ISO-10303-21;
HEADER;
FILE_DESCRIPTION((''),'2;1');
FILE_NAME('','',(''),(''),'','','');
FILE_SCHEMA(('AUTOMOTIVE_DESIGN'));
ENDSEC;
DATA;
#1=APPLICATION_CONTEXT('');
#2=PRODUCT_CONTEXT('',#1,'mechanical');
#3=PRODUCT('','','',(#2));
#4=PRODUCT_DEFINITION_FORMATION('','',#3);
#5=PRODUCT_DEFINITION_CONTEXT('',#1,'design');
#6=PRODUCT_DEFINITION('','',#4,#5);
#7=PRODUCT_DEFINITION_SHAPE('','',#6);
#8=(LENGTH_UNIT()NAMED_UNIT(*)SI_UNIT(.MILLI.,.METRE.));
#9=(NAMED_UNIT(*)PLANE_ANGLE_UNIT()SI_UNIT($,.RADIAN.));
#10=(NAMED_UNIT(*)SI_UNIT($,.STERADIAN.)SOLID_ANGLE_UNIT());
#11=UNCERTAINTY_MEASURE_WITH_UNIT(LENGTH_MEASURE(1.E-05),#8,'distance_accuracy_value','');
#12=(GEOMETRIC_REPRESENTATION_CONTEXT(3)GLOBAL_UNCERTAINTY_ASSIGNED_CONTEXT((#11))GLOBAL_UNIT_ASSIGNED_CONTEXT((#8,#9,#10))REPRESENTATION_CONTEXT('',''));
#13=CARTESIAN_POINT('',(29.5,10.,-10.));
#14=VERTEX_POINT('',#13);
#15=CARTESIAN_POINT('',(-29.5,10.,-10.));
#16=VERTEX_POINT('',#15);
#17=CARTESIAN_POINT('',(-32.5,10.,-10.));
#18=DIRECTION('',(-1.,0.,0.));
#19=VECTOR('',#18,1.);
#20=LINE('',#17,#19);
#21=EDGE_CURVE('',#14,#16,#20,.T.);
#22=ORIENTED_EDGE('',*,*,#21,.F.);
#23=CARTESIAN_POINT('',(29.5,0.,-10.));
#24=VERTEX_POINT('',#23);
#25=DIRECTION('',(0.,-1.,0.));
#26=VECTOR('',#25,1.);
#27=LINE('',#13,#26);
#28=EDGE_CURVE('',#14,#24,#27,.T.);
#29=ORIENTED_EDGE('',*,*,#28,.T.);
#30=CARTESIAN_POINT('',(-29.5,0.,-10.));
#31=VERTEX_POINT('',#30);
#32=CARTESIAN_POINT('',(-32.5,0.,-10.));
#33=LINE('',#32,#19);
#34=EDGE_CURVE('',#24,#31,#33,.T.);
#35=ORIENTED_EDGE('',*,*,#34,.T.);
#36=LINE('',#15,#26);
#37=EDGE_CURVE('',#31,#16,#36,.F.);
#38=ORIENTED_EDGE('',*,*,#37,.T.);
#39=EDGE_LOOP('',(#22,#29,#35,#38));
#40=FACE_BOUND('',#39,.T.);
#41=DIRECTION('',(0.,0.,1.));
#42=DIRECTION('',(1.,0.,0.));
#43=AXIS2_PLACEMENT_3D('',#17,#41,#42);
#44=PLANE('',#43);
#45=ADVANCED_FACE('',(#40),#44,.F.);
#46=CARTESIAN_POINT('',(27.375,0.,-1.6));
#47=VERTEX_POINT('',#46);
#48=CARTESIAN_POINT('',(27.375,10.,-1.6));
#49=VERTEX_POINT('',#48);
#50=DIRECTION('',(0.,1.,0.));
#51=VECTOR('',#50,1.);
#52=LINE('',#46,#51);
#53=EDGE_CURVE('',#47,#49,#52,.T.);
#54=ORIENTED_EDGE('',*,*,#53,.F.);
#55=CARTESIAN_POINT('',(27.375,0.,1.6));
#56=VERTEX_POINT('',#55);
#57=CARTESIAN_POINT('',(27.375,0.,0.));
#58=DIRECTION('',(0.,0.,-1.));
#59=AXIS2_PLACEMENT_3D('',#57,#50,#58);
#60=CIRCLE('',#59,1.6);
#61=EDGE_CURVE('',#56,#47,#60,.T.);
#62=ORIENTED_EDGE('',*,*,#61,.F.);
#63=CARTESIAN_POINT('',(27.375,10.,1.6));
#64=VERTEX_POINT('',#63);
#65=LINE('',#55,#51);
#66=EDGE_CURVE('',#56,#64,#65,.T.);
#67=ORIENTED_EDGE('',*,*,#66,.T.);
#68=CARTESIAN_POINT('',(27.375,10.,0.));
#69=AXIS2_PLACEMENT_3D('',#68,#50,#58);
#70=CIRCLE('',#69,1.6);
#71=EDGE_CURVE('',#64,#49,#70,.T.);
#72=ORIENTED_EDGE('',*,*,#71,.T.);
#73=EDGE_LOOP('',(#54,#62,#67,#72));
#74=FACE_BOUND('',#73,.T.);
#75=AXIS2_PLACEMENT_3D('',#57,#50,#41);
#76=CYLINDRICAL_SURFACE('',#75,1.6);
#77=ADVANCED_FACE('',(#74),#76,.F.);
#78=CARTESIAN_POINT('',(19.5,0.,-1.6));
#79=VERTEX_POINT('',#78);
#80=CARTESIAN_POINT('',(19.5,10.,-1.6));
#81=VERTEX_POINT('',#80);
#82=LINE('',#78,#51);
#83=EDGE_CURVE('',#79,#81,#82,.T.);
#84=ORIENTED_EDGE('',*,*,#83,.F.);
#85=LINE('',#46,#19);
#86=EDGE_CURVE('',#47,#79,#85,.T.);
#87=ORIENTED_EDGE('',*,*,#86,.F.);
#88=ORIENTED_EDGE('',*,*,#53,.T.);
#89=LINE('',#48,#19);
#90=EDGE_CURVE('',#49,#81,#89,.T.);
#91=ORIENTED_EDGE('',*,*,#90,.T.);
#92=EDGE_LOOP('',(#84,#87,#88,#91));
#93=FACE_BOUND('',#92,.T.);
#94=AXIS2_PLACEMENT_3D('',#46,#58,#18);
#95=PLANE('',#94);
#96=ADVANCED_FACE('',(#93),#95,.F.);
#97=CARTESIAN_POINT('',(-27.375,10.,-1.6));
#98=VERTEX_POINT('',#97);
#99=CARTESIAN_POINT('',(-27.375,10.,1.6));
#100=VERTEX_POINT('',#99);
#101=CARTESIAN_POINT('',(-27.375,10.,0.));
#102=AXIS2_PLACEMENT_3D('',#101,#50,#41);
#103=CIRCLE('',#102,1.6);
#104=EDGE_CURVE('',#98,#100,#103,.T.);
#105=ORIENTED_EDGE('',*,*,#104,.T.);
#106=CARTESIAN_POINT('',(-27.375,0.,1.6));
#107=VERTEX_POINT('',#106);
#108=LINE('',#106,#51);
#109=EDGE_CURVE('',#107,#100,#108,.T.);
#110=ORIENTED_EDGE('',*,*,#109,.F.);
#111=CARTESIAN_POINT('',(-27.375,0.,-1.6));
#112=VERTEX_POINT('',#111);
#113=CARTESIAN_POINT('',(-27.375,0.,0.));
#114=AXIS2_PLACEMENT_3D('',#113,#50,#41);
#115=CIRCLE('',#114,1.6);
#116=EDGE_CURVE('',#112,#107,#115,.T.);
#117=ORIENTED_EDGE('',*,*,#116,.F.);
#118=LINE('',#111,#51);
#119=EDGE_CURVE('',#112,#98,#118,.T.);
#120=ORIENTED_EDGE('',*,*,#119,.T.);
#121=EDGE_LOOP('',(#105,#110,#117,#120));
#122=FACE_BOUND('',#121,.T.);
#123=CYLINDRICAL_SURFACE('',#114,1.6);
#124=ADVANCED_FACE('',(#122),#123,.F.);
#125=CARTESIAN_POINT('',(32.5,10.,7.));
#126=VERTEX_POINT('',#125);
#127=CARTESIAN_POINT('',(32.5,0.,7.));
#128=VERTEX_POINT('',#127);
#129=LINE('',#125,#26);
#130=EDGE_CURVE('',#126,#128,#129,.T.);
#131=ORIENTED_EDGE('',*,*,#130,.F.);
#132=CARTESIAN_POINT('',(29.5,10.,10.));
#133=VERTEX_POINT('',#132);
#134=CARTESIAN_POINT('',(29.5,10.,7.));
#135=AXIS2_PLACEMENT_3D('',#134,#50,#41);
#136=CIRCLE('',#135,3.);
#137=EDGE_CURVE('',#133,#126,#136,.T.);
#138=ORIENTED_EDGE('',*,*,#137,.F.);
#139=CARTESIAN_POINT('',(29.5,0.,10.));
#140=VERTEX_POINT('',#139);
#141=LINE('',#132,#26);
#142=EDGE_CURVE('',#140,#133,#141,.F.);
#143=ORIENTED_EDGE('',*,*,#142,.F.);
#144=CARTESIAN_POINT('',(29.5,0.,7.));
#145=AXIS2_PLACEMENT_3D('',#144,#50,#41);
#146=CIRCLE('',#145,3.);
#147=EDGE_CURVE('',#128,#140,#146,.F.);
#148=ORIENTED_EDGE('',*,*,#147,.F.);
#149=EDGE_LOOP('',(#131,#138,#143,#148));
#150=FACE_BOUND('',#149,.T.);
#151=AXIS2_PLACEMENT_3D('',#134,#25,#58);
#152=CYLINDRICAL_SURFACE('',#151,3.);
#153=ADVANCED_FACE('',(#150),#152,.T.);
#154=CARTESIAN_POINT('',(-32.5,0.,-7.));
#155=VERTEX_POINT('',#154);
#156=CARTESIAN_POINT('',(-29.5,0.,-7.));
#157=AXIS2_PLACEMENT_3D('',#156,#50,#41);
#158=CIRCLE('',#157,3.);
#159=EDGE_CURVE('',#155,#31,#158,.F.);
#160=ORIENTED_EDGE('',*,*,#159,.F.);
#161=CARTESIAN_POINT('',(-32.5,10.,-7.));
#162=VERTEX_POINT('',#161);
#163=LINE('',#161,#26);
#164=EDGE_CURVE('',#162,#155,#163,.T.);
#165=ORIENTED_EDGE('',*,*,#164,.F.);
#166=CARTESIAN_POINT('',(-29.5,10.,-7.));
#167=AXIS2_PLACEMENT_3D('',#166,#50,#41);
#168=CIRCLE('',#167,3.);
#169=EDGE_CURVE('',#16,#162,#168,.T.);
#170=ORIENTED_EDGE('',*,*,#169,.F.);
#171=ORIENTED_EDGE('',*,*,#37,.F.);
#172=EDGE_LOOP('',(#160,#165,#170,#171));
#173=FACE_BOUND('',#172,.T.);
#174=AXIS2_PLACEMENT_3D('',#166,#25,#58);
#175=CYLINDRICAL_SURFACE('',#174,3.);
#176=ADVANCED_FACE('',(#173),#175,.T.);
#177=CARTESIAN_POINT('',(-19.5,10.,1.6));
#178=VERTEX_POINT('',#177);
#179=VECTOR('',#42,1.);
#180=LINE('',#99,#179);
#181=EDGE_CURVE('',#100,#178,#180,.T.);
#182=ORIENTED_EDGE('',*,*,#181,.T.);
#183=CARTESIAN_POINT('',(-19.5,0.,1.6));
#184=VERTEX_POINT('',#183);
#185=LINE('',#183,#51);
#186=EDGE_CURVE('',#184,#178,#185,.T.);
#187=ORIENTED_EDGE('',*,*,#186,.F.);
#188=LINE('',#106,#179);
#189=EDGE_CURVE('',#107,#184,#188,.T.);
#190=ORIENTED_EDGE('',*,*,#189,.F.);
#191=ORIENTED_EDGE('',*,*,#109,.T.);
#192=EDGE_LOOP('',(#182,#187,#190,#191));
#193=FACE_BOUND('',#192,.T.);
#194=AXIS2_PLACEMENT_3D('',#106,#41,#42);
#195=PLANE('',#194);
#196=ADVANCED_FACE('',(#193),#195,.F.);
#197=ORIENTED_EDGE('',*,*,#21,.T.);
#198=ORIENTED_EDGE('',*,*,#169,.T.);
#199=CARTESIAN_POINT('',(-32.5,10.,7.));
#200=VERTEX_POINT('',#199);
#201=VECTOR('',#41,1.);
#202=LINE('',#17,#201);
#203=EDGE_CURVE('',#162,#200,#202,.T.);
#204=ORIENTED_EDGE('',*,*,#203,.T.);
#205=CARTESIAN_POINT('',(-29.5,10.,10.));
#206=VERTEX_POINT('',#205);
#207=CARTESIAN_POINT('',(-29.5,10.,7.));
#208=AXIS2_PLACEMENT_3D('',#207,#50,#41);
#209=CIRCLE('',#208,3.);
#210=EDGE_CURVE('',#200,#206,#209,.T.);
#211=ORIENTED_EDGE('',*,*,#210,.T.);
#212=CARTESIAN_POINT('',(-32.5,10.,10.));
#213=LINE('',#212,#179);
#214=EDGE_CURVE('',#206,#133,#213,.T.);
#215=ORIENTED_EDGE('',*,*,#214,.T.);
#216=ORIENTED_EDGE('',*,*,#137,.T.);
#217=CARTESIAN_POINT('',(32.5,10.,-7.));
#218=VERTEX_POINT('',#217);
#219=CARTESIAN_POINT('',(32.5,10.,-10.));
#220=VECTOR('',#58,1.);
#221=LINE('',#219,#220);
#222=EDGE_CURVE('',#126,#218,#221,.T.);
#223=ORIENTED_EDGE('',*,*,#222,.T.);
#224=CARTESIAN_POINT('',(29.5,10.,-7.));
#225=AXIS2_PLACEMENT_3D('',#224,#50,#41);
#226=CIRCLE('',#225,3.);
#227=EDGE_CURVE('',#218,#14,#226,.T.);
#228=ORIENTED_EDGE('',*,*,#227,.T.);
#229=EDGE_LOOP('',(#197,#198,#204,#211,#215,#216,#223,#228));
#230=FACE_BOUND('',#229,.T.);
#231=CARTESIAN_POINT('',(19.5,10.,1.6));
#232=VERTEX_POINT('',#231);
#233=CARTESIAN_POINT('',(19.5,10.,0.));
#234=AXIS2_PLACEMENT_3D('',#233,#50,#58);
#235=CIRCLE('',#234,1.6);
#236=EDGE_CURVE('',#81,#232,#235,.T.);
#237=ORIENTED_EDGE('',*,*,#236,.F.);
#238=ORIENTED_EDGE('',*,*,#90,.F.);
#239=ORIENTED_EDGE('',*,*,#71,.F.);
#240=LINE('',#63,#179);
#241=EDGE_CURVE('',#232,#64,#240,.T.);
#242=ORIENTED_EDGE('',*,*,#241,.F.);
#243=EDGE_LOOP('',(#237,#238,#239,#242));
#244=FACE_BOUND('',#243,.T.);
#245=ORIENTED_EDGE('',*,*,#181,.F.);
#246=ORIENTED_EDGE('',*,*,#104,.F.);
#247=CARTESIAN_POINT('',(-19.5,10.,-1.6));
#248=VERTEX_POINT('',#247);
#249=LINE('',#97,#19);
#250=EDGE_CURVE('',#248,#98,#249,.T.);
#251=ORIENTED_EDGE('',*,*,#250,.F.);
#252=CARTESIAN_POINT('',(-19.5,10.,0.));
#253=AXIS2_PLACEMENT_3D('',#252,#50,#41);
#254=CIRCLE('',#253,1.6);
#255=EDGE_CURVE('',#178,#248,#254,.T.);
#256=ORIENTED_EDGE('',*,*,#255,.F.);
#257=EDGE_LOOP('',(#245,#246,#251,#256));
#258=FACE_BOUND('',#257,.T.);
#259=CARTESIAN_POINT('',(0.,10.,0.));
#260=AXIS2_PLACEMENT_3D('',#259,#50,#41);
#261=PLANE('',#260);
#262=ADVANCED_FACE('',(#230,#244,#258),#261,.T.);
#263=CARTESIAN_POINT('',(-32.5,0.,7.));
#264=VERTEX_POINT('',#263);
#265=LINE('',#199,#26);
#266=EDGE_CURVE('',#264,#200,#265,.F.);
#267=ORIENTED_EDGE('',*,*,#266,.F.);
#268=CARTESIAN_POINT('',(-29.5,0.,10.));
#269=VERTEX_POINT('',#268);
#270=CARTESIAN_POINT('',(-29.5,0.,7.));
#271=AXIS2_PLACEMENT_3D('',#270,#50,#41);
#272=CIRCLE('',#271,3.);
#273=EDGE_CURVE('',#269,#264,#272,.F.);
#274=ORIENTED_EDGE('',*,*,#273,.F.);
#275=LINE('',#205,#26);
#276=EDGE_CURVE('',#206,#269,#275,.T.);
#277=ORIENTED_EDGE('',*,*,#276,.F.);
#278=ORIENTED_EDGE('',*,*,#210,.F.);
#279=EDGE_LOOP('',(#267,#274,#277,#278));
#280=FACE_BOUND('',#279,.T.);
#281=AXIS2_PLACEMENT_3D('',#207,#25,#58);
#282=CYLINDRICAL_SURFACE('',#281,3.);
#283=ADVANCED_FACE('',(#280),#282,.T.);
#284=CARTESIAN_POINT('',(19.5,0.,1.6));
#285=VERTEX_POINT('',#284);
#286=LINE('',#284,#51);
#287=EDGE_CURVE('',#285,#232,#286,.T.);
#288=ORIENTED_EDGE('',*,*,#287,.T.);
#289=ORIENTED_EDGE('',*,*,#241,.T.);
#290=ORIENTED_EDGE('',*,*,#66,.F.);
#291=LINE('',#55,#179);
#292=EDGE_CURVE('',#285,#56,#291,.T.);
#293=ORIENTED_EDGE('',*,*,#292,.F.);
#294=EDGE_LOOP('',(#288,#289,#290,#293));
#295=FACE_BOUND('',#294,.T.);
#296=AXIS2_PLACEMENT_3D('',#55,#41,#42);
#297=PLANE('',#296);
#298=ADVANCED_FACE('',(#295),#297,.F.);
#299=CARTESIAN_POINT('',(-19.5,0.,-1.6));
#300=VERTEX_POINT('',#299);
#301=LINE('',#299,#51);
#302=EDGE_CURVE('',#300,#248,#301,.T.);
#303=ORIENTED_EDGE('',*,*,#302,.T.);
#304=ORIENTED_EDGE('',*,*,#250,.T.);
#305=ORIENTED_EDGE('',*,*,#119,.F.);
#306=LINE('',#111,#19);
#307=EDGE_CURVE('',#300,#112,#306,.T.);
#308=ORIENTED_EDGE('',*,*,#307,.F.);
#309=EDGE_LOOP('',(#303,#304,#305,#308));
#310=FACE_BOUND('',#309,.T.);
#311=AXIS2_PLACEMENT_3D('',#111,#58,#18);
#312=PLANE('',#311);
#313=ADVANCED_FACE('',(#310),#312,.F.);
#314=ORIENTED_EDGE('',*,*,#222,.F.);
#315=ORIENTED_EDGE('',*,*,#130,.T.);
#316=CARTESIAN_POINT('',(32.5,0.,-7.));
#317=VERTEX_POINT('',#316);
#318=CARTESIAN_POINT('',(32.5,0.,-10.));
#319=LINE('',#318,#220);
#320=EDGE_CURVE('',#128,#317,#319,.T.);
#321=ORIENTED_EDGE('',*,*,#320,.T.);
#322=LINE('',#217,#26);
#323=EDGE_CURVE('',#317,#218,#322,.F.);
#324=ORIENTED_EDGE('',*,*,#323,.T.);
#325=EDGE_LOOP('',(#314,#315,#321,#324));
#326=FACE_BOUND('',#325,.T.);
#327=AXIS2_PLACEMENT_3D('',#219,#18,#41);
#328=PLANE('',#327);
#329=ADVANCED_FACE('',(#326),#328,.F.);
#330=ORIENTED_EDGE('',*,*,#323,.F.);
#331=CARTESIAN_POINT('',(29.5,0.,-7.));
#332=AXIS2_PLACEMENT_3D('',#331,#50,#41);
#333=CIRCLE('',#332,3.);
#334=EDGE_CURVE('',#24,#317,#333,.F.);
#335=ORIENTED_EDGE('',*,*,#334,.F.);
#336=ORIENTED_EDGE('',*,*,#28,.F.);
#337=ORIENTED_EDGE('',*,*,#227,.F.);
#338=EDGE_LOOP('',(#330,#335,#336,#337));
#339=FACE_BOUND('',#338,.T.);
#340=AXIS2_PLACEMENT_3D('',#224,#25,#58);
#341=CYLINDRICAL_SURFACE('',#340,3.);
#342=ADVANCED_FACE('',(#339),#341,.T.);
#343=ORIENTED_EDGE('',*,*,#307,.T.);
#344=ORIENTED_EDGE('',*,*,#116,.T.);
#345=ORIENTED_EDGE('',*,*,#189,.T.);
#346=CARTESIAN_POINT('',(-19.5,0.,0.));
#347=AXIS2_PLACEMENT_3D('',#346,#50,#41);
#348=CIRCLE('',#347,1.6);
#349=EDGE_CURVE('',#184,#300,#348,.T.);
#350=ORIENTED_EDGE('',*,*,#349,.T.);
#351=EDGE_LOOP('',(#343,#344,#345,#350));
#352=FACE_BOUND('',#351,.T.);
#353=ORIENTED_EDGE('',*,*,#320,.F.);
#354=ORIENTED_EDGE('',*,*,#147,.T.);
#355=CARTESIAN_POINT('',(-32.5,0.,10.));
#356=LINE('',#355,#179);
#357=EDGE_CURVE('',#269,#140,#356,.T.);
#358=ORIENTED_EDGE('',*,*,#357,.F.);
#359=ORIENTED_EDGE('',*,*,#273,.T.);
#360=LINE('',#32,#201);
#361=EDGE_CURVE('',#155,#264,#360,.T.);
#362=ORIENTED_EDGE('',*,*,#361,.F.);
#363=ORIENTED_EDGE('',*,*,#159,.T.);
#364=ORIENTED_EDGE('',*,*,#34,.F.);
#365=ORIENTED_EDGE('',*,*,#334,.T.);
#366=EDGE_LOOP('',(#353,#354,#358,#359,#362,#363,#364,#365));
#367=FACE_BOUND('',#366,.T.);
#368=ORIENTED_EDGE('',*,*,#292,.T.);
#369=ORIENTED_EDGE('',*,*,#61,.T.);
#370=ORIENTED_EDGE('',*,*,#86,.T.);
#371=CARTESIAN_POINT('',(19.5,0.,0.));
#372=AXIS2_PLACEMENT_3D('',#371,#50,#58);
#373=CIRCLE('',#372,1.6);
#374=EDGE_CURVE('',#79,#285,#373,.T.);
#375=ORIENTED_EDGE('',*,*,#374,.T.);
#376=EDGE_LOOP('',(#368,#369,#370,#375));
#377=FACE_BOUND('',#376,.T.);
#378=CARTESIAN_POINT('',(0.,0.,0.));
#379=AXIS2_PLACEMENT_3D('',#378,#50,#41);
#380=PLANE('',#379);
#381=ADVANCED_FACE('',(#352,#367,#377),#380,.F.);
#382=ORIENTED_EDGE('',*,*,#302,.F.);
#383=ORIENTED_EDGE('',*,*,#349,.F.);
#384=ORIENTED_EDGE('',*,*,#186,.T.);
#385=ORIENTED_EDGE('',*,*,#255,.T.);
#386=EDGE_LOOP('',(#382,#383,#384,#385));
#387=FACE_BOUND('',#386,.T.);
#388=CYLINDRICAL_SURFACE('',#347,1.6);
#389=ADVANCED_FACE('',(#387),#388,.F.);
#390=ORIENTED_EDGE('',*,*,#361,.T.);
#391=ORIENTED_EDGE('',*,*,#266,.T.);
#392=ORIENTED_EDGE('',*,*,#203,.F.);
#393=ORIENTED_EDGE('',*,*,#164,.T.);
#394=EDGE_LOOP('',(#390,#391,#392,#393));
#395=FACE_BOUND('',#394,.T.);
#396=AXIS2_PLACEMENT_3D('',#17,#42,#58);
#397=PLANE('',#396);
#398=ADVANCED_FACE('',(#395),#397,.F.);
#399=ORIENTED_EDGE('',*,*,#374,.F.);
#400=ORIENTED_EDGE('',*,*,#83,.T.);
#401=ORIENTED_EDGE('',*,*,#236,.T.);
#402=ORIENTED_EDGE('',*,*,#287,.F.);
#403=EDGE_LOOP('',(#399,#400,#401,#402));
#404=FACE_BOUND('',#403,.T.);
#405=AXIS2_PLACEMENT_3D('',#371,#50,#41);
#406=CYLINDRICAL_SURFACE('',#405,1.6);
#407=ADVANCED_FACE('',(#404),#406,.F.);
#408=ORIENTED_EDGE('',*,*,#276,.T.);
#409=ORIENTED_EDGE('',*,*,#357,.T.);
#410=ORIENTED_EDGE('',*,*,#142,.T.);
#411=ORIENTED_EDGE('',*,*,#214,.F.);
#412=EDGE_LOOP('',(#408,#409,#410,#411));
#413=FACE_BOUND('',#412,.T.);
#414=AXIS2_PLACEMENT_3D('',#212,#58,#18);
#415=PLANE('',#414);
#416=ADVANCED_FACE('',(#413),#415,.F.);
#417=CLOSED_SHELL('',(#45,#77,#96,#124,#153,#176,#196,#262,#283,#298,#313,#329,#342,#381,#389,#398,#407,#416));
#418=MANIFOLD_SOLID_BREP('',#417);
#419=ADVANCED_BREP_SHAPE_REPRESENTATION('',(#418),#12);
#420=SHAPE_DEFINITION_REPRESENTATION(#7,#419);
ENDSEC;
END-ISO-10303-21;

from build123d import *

# Parameters (mm, degrees)
SKETCH_1_W          = 65
SKETCH_1_H          = 20
EXTRUDE_1_DEPTH     = 10
CUT_EXTRUDE_1_DEPTH = 10
FILLET_1_R          = 3


with BuildPart() as part:
    # 草图1 → 凸台-拉伸1 (new body)
    with BuildSketch(Plane(origin=(0, 0, 0), x_dir=(1, 0, 0), z_dir=(0, 1, 0))):
        Rectangle(SKETCH_1_W, SKETCH_1_H)
    extrude(amount=EXTRUDE_1_DEPTH)

    # 草图2 → 切除-拉伸1 (cut)
    with BuildSketch(Plane(origin=(0, 10, 0), x_dir=(1, 0, 0), z_dir=(0, 1, 0))):
        with BuildLine():
            Line((-27.375, 1.6), (-19.5, 1.6))
            ThreePointArc((-19.5, 1.6), (-17.9, 0), (-19.5, -1.6))
            Line((-19.5, -1.6), (-27.375, -1.6))
            ThreePointArc((-27.375, -1.6), (-28.975, 0), (-27.375, 1.6))
        make_face()
        with BuildLine():
            Line((27.375, 1.6), (19.5, 1.6))
            ThreePointArc((19.5, 1.6), (17.9, 0), (19.5, -1.6))
            Line((19.5, -1.6), (27.375, -1.6))
            ThreePointArc((27.375, -1.6), (28.975, 0), (27.375, 1.6))
        make_face()
    extrude(amount=-CUT_EXTRUDE_1_DEPTH, mode=Mode.SUBTRACT)

    # 圆角1
    fillet_1_edges = [part.edges().sort_by_distance(p)[0] for p in [
        (32.5, 5, 10),
        (-32.5, 5, 10),
        (-32.5, 5, -10),
        (32.5, 5, -10),
    ]]
    fillet(fillet_1_edges, radius=FILLET_1_R)


solid = part.part
